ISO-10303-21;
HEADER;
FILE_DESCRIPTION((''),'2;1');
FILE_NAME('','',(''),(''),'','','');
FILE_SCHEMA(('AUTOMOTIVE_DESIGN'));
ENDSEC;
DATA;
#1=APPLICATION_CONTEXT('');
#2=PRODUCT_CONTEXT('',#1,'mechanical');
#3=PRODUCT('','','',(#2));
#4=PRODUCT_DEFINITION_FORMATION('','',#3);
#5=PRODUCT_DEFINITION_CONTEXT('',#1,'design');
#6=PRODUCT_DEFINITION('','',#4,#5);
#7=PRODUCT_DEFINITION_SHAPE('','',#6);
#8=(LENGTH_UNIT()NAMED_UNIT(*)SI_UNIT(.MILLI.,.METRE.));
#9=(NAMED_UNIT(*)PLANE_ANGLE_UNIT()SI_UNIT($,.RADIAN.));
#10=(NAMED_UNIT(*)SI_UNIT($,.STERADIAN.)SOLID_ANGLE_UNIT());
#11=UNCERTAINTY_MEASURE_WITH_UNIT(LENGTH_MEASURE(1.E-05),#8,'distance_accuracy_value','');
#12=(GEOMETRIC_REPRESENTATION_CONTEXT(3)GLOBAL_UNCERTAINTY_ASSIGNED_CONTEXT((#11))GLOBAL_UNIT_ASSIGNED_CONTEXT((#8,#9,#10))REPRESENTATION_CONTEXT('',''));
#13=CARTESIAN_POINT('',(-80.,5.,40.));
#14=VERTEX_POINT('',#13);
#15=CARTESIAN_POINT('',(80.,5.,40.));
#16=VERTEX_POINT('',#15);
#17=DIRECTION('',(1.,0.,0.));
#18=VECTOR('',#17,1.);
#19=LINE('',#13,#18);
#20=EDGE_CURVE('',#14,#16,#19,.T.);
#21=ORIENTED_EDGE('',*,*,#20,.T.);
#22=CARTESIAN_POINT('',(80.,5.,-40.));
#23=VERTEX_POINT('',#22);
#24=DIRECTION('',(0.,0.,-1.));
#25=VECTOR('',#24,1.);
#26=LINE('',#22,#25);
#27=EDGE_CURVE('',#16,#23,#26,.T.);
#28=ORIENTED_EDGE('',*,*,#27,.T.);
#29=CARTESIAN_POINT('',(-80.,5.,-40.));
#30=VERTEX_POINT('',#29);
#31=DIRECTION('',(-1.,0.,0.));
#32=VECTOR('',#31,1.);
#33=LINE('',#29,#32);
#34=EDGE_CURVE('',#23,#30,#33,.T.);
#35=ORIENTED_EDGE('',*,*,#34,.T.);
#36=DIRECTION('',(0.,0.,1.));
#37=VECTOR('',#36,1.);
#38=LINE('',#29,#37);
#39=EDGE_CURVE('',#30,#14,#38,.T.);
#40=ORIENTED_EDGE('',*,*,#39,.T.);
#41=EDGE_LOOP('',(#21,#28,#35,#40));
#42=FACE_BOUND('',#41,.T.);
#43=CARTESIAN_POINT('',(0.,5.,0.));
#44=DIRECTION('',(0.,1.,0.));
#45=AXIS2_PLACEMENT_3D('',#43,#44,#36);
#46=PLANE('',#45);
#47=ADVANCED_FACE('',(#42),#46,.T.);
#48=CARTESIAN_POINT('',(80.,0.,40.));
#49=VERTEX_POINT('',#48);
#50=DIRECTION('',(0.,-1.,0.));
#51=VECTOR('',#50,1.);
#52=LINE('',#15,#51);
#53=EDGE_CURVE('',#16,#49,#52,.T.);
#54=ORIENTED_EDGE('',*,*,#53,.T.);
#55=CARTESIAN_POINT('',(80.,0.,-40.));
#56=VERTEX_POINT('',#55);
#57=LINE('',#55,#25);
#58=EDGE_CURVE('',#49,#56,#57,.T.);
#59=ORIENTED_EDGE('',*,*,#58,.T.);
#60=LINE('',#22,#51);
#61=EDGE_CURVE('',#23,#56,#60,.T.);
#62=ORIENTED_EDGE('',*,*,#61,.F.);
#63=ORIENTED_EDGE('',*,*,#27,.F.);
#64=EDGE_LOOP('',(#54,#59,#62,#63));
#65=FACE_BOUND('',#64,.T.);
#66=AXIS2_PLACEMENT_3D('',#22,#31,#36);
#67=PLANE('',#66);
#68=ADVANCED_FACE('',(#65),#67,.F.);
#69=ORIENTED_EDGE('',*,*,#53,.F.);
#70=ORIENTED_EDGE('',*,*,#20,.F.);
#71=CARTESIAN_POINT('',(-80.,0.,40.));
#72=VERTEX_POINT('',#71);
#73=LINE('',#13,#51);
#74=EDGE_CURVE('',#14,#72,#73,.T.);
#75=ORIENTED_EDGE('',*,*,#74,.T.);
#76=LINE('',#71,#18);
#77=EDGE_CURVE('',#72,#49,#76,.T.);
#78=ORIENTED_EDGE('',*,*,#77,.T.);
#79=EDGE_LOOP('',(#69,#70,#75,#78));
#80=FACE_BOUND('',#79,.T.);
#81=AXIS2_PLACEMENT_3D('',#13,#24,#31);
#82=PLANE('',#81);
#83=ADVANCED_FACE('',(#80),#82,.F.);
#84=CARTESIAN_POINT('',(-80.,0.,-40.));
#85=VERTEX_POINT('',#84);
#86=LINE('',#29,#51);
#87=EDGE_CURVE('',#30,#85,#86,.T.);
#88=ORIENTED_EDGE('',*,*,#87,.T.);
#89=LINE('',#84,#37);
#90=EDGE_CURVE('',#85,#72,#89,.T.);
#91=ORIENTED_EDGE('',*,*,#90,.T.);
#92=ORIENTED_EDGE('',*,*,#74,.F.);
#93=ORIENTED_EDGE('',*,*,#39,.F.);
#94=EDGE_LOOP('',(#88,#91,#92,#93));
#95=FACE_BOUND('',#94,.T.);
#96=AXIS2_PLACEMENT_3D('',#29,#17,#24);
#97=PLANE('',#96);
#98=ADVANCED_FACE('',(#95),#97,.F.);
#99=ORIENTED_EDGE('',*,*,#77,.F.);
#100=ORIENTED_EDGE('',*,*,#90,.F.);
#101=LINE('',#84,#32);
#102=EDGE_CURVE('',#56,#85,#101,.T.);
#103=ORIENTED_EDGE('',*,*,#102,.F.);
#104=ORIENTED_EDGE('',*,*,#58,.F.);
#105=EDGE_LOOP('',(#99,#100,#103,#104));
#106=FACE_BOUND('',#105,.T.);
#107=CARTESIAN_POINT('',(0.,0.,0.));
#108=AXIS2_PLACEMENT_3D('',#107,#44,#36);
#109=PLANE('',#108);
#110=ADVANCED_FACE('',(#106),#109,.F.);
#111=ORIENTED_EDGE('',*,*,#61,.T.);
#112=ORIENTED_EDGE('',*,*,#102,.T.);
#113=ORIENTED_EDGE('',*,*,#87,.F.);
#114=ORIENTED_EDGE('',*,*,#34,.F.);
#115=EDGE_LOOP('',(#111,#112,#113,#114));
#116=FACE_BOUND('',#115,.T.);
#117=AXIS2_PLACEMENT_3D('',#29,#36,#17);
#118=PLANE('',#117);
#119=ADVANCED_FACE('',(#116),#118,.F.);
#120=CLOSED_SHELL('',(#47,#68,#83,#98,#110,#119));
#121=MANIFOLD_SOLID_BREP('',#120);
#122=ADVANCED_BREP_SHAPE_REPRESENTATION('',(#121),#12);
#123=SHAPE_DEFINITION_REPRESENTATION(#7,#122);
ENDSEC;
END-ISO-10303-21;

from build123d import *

# Parameters (mm, degrees)
SKETCH_1_W      = 160
SKETCH_1_H      = 80
EXTRUDE_1_DEPTH = 5


with BuildPart() as part:
    # 草图1 → 凸台-拉伸1 (new body)
    with BuildSketch(Plane(origin=(0, 0, 0), x_dir=(1, 0, 0), z_dir=(0, 1, 0))):
        Rectangle(SKETCH_1_W, SKETCH_1_H)
    extrude(amount=EXTRUDE_1_DEPTH)


solid = part.part
